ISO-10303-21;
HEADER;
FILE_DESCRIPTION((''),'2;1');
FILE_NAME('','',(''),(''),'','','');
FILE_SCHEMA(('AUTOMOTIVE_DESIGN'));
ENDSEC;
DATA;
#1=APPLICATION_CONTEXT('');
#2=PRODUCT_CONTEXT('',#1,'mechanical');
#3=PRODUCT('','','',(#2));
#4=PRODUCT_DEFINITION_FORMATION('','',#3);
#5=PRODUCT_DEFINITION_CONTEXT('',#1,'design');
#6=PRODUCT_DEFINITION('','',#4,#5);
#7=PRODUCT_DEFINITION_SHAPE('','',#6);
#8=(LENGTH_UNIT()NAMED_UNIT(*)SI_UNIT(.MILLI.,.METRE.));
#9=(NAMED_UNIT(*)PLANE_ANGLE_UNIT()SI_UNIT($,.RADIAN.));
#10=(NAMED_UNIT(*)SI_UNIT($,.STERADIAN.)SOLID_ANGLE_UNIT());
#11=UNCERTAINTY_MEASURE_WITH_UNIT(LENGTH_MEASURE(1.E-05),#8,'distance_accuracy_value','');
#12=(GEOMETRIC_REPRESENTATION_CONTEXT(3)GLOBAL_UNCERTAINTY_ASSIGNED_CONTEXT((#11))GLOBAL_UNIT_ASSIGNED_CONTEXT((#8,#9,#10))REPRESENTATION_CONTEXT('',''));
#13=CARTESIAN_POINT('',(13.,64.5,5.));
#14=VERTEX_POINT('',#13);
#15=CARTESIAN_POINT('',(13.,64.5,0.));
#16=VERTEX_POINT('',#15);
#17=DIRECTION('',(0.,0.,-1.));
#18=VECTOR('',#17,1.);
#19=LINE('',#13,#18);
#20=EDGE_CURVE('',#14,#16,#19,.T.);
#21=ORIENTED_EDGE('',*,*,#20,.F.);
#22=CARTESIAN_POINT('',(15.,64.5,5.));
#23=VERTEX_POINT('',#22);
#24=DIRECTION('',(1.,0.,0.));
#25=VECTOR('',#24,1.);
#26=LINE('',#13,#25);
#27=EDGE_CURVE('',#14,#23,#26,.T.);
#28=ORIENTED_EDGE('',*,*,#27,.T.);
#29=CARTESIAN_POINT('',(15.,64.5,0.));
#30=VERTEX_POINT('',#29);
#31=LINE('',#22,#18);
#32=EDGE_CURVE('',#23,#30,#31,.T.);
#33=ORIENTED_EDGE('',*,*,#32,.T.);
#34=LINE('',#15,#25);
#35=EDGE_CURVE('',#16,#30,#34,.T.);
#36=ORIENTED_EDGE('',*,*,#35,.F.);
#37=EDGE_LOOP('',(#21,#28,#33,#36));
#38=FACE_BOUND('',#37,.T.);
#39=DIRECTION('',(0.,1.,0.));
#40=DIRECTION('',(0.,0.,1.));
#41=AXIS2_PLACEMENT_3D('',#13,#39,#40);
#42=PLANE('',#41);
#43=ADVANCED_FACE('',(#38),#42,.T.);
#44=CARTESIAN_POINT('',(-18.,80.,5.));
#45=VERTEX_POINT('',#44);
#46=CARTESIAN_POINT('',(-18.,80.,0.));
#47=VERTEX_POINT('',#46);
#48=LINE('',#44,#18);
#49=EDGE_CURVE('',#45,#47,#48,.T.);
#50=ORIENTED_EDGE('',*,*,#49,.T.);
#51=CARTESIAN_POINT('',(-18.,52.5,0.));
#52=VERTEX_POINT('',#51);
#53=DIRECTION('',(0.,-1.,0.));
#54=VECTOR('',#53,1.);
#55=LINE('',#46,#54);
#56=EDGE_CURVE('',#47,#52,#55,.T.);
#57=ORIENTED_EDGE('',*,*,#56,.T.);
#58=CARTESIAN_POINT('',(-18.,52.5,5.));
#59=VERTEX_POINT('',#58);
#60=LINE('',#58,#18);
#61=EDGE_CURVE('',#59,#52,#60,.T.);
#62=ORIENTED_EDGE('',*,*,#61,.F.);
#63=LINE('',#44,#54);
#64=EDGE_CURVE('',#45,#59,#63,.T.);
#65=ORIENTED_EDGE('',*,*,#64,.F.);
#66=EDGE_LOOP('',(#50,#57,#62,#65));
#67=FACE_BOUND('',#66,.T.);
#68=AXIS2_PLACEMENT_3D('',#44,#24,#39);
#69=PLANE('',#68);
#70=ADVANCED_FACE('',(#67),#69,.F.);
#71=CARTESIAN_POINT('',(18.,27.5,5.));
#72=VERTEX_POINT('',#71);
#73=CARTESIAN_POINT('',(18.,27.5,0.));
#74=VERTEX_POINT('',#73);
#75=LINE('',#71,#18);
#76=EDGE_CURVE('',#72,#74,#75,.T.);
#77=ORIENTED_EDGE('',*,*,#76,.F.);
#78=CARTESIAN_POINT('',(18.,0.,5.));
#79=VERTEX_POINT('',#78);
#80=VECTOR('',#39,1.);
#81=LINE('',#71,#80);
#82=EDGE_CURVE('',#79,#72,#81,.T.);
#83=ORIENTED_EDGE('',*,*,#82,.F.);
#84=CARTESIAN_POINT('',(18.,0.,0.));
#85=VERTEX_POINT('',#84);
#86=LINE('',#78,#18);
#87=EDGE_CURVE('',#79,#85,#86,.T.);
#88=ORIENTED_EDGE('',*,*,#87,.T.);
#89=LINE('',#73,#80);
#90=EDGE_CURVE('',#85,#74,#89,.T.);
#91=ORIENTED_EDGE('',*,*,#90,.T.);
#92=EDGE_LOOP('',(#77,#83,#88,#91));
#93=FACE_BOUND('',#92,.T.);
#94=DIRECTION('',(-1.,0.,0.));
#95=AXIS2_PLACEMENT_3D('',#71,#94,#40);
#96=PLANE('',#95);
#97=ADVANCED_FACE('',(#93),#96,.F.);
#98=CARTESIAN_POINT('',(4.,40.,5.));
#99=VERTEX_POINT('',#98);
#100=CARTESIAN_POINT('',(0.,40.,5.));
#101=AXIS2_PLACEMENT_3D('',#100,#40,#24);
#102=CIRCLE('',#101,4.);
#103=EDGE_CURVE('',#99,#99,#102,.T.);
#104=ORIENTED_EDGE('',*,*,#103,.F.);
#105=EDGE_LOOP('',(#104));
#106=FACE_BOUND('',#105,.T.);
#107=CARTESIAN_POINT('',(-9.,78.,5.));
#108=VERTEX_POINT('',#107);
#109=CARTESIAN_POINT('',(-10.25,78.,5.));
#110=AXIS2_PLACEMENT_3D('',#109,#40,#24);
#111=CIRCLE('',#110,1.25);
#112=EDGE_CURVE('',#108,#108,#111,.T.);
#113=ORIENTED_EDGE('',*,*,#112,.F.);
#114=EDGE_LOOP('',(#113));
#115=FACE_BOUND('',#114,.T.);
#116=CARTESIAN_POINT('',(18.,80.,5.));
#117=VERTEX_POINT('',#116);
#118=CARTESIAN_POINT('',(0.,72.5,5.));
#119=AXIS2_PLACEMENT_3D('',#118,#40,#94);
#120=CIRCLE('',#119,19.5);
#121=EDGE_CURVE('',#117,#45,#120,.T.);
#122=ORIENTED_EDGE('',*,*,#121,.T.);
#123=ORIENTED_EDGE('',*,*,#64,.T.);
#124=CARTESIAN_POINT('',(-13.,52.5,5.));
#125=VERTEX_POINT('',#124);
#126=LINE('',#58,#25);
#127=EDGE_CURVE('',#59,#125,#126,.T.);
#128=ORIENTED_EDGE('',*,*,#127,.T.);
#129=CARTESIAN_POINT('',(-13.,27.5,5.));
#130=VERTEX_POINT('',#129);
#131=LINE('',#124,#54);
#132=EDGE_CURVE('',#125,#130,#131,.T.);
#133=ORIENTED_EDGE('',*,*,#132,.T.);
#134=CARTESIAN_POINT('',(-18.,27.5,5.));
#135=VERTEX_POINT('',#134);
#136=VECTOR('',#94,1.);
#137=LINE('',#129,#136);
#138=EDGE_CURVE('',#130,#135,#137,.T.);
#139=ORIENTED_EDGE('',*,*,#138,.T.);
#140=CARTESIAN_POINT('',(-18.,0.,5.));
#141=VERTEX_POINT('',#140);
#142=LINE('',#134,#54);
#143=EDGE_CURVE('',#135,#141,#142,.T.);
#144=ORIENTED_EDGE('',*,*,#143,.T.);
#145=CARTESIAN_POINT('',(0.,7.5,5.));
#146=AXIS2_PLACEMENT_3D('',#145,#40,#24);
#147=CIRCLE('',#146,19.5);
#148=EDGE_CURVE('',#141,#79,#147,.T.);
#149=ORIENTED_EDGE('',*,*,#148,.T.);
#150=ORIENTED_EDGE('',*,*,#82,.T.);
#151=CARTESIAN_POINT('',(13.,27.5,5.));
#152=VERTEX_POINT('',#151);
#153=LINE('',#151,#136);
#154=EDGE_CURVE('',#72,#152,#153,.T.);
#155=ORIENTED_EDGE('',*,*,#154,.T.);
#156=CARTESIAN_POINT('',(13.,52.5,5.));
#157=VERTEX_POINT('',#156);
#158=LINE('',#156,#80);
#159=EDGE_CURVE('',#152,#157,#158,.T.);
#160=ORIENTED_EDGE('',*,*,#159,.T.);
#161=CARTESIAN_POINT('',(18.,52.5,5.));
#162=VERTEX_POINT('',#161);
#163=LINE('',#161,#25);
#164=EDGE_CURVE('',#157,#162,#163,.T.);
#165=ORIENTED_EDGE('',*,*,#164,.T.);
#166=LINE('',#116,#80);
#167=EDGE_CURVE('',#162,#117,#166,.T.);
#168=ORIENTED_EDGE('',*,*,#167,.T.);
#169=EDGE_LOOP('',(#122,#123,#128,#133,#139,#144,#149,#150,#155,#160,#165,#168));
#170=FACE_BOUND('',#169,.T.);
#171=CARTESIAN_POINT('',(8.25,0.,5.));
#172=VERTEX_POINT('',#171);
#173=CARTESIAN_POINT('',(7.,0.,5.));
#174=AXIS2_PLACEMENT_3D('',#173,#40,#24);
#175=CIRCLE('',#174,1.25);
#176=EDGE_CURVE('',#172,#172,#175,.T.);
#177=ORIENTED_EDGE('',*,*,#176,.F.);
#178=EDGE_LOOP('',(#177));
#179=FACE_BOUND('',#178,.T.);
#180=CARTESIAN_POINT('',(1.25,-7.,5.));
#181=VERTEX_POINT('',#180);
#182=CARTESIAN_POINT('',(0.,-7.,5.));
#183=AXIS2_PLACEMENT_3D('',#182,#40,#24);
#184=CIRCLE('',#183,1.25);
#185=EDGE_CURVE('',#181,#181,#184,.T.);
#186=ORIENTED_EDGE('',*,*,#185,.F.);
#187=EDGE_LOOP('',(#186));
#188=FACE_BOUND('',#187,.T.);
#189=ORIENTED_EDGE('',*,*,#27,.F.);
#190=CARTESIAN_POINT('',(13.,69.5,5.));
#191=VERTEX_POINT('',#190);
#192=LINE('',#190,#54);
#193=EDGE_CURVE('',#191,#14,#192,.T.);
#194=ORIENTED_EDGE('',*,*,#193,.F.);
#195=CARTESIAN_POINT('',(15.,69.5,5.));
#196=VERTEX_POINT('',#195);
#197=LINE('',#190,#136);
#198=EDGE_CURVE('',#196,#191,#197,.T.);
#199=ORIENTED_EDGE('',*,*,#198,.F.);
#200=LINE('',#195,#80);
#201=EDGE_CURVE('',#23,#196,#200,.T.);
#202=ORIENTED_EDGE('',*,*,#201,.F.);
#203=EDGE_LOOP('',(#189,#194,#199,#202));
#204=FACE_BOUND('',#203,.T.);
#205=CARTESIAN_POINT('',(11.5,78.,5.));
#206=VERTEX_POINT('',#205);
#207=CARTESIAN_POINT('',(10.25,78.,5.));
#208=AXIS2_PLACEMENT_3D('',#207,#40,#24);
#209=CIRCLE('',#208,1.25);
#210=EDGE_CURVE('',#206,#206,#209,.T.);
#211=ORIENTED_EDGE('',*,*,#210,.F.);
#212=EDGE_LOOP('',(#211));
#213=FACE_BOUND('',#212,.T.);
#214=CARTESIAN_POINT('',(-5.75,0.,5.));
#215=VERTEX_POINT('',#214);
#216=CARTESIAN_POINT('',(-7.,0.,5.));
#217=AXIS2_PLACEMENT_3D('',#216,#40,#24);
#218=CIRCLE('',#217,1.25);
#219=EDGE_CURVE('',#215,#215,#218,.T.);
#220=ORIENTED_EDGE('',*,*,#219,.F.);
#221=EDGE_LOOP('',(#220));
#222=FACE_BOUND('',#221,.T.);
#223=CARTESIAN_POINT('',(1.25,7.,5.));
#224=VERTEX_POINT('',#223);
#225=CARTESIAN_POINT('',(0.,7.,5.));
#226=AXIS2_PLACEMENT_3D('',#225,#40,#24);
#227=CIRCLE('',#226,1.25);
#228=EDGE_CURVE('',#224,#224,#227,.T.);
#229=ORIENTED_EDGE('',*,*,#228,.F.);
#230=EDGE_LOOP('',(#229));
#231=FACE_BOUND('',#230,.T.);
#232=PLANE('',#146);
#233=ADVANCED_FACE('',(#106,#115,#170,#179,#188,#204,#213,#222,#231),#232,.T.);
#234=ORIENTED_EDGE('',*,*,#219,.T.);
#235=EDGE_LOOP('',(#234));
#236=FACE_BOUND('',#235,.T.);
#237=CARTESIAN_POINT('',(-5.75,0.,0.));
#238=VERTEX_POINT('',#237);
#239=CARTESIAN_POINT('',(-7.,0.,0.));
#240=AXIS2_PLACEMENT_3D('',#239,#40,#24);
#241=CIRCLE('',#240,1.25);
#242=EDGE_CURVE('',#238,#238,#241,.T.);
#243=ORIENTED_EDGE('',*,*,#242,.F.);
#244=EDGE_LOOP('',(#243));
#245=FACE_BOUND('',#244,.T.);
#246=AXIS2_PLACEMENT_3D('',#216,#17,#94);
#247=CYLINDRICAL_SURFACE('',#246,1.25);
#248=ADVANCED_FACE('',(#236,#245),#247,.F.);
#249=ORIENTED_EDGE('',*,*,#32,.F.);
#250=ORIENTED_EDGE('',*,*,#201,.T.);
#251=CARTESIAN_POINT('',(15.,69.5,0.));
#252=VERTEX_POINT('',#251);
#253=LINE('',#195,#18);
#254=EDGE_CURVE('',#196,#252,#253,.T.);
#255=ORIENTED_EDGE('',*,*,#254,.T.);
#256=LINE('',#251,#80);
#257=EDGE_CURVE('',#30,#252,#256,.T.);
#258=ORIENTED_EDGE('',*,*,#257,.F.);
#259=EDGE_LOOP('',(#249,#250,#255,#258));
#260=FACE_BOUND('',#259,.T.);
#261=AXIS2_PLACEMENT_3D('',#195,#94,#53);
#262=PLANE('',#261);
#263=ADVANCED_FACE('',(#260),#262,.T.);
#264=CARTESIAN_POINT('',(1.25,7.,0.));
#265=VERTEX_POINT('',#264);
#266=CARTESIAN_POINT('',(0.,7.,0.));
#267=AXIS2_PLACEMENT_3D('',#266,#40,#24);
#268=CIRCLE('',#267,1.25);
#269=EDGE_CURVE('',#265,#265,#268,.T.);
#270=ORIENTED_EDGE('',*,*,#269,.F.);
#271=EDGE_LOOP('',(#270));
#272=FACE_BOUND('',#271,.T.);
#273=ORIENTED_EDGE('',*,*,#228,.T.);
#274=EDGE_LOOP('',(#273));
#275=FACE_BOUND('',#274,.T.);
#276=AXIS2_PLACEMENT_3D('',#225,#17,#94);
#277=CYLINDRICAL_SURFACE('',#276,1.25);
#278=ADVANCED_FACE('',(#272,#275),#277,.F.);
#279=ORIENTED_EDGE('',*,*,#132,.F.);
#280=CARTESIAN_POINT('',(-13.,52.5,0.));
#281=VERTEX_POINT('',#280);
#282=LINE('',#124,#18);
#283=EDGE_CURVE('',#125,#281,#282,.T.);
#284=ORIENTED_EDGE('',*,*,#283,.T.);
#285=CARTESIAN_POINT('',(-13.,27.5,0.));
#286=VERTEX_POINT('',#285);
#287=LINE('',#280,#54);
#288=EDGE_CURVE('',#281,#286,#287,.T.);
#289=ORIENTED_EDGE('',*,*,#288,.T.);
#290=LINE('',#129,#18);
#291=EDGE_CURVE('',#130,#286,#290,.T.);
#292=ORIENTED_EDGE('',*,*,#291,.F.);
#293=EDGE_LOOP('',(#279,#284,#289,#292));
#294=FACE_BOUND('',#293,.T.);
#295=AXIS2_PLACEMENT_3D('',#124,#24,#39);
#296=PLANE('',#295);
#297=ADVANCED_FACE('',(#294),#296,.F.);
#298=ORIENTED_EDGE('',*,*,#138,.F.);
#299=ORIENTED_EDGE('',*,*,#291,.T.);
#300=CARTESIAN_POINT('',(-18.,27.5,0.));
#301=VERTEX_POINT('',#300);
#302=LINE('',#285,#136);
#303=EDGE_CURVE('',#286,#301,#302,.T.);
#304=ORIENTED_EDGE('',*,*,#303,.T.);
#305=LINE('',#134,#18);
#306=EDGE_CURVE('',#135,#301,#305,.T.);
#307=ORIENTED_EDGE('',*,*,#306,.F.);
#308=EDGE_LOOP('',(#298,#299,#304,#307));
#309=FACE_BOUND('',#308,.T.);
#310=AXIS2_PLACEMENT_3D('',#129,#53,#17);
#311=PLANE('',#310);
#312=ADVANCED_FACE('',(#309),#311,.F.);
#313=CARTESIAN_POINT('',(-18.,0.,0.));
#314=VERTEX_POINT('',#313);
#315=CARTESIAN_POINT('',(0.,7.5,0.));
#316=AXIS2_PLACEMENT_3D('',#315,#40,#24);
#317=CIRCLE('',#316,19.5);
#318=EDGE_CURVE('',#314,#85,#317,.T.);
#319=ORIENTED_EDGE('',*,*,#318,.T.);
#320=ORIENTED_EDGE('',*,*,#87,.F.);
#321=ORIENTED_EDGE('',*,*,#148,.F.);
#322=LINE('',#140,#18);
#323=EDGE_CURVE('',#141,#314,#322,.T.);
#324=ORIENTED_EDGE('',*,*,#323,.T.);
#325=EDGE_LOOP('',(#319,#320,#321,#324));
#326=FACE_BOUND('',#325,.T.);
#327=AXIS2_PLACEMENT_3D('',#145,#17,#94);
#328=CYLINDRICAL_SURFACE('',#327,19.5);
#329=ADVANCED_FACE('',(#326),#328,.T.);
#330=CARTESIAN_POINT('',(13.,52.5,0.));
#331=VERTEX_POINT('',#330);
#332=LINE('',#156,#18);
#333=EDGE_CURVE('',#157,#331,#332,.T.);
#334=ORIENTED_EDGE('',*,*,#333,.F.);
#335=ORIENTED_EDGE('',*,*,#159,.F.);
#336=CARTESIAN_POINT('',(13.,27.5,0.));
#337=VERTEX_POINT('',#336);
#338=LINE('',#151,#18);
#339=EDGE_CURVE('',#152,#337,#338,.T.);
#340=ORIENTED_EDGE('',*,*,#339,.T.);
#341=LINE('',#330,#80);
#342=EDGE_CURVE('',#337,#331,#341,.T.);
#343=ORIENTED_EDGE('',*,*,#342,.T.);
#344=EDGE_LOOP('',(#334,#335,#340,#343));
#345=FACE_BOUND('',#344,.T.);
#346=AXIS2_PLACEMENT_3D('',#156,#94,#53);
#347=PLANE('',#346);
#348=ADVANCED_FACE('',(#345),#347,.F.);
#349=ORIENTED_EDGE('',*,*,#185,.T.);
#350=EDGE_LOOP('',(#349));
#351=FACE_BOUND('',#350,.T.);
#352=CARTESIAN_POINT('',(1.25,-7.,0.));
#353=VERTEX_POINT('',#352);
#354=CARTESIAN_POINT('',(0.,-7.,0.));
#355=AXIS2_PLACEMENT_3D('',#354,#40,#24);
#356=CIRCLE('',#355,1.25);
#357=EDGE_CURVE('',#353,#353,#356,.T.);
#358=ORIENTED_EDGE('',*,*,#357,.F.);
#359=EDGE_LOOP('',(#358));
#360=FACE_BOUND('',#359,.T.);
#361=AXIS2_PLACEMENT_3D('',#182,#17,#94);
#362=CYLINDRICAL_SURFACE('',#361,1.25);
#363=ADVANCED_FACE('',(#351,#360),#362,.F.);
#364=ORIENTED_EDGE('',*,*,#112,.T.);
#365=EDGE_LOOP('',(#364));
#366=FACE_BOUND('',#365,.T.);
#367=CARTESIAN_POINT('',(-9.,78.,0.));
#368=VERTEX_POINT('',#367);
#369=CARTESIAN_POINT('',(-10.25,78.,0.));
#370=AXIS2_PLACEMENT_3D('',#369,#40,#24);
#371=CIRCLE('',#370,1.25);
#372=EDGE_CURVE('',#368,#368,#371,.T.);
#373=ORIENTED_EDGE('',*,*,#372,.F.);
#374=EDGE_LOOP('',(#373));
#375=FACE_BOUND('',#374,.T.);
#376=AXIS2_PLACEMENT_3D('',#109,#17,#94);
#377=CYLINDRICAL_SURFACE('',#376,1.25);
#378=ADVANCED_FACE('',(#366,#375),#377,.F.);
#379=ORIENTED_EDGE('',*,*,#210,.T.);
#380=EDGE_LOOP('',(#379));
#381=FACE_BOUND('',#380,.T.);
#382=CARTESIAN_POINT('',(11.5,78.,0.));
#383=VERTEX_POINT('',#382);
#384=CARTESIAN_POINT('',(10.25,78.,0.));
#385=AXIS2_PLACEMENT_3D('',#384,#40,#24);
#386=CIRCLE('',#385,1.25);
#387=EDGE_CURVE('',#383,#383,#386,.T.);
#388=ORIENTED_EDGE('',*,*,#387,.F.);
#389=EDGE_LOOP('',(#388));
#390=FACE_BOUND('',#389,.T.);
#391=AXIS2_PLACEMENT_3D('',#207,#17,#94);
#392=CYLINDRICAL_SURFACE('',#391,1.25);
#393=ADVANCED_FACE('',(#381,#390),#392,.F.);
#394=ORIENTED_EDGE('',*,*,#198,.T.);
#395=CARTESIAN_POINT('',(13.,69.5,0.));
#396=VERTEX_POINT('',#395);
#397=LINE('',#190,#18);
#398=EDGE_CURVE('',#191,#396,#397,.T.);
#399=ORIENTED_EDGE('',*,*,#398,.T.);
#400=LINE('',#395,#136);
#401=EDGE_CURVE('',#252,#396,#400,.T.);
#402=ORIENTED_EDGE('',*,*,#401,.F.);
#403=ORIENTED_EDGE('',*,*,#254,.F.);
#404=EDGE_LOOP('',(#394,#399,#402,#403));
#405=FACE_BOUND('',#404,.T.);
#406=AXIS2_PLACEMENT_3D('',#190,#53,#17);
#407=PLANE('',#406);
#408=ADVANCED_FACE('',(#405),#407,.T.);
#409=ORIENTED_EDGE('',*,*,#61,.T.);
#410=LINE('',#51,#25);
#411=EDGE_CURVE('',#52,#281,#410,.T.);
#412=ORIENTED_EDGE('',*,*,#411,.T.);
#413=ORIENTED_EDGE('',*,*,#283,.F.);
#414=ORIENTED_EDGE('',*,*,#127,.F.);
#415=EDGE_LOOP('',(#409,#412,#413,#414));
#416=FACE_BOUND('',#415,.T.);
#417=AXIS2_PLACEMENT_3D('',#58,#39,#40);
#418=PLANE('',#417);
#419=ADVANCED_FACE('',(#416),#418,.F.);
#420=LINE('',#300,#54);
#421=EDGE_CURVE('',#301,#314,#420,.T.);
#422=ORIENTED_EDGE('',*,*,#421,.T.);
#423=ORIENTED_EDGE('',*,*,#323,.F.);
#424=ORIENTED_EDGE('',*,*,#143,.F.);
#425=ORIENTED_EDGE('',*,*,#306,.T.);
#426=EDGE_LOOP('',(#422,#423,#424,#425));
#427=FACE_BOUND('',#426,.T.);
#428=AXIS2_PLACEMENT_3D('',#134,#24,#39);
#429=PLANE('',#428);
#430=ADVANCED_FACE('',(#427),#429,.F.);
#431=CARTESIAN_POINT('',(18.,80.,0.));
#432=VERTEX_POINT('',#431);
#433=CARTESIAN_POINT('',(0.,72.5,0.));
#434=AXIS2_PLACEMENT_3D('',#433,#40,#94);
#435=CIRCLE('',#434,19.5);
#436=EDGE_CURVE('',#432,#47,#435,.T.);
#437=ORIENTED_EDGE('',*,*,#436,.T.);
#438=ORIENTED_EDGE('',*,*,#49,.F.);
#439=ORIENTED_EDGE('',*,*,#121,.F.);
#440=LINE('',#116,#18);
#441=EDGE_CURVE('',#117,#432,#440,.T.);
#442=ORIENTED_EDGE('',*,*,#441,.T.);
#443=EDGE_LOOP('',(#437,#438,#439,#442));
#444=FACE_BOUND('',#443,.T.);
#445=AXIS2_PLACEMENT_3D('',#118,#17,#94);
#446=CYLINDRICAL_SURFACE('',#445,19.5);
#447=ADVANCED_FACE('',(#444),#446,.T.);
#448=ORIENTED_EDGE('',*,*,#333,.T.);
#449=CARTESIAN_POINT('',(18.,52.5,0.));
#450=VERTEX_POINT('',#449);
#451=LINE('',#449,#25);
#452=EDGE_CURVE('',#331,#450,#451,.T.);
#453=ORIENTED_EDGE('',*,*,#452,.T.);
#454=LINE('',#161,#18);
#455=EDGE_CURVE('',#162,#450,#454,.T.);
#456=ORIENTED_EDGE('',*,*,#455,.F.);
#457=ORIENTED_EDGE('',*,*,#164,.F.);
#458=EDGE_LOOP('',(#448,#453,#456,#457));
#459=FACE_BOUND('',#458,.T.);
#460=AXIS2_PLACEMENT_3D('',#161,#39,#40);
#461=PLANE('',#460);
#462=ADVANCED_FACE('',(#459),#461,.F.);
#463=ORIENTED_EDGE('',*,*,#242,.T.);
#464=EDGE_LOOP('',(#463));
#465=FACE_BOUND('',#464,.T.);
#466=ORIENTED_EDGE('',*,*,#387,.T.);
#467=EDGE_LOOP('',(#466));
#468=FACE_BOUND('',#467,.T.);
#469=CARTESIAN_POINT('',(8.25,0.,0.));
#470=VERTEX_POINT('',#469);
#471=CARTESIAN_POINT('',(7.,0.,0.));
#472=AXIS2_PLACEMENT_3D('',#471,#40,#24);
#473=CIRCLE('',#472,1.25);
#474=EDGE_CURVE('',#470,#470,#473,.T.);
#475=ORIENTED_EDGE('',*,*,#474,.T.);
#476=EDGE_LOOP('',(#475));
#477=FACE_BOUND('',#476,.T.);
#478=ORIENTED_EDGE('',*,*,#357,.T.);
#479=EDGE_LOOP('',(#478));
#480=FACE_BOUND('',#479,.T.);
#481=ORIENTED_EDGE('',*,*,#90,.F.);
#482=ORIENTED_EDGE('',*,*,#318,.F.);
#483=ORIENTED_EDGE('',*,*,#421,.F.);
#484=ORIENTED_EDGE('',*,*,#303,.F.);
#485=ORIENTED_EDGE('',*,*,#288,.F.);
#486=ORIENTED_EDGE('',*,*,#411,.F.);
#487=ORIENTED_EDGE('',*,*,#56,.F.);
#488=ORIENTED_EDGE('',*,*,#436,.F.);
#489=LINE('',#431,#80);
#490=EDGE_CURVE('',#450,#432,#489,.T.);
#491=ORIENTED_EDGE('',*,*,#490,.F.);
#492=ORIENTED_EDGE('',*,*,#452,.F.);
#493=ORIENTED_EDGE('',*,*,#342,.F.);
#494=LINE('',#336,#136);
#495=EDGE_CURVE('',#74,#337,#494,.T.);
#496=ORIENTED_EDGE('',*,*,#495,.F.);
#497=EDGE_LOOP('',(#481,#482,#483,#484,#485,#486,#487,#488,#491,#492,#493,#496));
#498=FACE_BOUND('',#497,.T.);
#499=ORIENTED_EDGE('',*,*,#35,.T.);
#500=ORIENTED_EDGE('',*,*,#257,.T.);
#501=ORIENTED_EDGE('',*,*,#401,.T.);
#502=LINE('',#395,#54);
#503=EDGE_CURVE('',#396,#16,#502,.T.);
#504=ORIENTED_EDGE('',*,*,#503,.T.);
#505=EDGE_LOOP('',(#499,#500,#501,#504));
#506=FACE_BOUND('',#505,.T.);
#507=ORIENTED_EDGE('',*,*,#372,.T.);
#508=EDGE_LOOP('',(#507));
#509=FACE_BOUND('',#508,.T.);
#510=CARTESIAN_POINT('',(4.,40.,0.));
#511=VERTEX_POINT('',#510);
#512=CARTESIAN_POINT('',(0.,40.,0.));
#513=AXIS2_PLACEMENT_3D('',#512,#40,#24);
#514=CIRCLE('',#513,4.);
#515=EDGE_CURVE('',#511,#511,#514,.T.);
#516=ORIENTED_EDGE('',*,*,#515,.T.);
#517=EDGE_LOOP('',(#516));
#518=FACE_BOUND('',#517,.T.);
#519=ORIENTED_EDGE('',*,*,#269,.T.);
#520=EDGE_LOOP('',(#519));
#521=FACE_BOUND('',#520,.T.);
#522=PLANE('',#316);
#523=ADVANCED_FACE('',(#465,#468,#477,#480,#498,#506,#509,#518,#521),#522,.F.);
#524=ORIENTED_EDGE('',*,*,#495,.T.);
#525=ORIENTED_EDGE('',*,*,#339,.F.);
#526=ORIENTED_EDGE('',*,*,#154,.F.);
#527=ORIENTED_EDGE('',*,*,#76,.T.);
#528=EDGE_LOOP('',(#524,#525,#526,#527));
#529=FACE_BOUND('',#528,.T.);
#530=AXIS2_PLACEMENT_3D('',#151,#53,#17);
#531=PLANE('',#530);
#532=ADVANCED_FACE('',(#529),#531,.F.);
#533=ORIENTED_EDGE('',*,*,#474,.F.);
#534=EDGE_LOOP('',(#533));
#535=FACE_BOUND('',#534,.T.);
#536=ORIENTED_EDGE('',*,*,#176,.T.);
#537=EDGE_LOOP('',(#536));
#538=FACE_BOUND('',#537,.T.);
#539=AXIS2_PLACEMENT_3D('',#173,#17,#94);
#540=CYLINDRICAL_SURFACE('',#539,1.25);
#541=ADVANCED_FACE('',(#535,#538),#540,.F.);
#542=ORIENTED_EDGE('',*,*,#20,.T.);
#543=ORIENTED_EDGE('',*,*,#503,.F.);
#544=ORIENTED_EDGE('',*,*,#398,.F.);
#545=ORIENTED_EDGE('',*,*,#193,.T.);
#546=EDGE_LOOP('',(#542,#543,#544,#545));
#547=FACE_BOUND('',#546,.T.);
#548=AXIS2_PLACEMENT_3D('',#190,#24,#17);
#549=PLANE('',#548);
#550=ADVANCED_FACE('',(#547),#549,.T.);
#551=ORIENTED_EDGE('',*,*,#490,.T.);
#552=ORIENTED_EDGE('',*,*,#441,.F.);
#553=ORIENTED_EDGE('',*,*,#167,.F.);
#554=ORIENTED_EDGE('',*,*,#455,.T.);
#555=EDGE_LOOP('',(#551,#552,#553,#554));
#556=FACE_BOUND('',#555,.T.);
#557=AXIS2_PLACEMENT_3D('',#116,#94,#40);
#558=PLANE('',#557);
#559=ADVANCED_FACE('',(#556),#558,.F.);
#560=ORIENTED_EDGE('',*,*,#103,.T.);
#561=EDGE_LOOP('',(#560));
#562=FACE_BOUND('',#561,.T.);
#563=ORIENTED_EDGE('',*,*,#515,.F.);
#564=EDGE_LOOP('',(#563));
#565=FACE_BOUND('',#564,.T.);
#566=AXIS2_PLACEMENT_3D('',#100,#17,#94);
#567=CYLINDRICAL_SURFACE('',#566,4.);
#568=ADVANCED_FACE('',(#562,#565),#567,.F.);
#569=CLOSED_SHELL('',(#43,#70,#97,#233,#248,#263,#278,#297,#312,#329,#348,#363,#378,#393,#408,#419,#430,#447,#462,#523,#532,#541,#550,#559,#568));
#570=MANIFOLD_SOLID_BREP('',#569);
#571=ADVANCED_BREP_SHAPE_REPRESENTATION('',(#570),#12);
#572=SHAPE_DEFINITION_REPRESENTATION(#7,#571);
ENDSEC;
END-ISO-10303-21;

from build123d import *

# Parameters (mm, degrees)
SKETCH1_R           = 1.25
SKETCH1_R_2         = 4
SKETCH1_W           = 2
SKETCH1_H           = 5
BOSS_EXTRUDE1_DEPTH = 5


with BuildPart() as part:
    # Sketch1 → Boss-Extrude1 (new body)
    with BuildSketch(Plane.XY):
        with BuildLine():
            Line((-18, 80), (-18, 52.5))
            Line((-18, 52.5), (-13, 52.5))
            Line((-13, 52.5), (-13, 27.5))
            Line((-13, 27.5), (-18, 27.5))
            Line((-18, 27.5), (-18, 0))
            ThreePointArc((-18, 0), (0, -12), (18, 0))
            Line((18, 0), (18, 27.5))
            Line((18, 27.5), (13, 27.5))
            Line((13, 27.5), (13, 52.5))
            Line((13, 52.5), (18, 52.5))
            Line((18, 52.5), (18, 80))
            ThreePointArc((18, 80), (0, 92), (-18, 80))
        make_face()
        with Locations((0, 7)):
            Circle(SKETCH1_R, mode=Mode.SUBTRACT)
        with Locations((7, 0)):
            Circle(SKETCH1_R, mode=Mode.SUBTRACT)
        with Locations((0, -7)):
            Circle(SKETCH1_R, mode=Mode.SUBTRACT)
        with Locations((-7, 0)):
            Circle(SKETCH1_R, mode=Mode.SUBTRACT)
        with Locations((0, 40)):
            Circle(SKETCH1_R_2, mode=Mode.SUBTRACT)
        with Locations((-10.25, 78)):
            Circle(SKETCH1_R, mode=Mode.SUBTRACT)
        with Locations((10.25, 78)):
            Circle(SKETCH1_R, mode=Mode.SUBTRACT)
        with Locations((14, 67)):
            Rectangle(SKETCH1_W, SKETCH1_H, mode=Mode.SUBTRACT)
    extrude(amount=BOSS_EXTRUDE1_DEPTH)


solid = part.part
